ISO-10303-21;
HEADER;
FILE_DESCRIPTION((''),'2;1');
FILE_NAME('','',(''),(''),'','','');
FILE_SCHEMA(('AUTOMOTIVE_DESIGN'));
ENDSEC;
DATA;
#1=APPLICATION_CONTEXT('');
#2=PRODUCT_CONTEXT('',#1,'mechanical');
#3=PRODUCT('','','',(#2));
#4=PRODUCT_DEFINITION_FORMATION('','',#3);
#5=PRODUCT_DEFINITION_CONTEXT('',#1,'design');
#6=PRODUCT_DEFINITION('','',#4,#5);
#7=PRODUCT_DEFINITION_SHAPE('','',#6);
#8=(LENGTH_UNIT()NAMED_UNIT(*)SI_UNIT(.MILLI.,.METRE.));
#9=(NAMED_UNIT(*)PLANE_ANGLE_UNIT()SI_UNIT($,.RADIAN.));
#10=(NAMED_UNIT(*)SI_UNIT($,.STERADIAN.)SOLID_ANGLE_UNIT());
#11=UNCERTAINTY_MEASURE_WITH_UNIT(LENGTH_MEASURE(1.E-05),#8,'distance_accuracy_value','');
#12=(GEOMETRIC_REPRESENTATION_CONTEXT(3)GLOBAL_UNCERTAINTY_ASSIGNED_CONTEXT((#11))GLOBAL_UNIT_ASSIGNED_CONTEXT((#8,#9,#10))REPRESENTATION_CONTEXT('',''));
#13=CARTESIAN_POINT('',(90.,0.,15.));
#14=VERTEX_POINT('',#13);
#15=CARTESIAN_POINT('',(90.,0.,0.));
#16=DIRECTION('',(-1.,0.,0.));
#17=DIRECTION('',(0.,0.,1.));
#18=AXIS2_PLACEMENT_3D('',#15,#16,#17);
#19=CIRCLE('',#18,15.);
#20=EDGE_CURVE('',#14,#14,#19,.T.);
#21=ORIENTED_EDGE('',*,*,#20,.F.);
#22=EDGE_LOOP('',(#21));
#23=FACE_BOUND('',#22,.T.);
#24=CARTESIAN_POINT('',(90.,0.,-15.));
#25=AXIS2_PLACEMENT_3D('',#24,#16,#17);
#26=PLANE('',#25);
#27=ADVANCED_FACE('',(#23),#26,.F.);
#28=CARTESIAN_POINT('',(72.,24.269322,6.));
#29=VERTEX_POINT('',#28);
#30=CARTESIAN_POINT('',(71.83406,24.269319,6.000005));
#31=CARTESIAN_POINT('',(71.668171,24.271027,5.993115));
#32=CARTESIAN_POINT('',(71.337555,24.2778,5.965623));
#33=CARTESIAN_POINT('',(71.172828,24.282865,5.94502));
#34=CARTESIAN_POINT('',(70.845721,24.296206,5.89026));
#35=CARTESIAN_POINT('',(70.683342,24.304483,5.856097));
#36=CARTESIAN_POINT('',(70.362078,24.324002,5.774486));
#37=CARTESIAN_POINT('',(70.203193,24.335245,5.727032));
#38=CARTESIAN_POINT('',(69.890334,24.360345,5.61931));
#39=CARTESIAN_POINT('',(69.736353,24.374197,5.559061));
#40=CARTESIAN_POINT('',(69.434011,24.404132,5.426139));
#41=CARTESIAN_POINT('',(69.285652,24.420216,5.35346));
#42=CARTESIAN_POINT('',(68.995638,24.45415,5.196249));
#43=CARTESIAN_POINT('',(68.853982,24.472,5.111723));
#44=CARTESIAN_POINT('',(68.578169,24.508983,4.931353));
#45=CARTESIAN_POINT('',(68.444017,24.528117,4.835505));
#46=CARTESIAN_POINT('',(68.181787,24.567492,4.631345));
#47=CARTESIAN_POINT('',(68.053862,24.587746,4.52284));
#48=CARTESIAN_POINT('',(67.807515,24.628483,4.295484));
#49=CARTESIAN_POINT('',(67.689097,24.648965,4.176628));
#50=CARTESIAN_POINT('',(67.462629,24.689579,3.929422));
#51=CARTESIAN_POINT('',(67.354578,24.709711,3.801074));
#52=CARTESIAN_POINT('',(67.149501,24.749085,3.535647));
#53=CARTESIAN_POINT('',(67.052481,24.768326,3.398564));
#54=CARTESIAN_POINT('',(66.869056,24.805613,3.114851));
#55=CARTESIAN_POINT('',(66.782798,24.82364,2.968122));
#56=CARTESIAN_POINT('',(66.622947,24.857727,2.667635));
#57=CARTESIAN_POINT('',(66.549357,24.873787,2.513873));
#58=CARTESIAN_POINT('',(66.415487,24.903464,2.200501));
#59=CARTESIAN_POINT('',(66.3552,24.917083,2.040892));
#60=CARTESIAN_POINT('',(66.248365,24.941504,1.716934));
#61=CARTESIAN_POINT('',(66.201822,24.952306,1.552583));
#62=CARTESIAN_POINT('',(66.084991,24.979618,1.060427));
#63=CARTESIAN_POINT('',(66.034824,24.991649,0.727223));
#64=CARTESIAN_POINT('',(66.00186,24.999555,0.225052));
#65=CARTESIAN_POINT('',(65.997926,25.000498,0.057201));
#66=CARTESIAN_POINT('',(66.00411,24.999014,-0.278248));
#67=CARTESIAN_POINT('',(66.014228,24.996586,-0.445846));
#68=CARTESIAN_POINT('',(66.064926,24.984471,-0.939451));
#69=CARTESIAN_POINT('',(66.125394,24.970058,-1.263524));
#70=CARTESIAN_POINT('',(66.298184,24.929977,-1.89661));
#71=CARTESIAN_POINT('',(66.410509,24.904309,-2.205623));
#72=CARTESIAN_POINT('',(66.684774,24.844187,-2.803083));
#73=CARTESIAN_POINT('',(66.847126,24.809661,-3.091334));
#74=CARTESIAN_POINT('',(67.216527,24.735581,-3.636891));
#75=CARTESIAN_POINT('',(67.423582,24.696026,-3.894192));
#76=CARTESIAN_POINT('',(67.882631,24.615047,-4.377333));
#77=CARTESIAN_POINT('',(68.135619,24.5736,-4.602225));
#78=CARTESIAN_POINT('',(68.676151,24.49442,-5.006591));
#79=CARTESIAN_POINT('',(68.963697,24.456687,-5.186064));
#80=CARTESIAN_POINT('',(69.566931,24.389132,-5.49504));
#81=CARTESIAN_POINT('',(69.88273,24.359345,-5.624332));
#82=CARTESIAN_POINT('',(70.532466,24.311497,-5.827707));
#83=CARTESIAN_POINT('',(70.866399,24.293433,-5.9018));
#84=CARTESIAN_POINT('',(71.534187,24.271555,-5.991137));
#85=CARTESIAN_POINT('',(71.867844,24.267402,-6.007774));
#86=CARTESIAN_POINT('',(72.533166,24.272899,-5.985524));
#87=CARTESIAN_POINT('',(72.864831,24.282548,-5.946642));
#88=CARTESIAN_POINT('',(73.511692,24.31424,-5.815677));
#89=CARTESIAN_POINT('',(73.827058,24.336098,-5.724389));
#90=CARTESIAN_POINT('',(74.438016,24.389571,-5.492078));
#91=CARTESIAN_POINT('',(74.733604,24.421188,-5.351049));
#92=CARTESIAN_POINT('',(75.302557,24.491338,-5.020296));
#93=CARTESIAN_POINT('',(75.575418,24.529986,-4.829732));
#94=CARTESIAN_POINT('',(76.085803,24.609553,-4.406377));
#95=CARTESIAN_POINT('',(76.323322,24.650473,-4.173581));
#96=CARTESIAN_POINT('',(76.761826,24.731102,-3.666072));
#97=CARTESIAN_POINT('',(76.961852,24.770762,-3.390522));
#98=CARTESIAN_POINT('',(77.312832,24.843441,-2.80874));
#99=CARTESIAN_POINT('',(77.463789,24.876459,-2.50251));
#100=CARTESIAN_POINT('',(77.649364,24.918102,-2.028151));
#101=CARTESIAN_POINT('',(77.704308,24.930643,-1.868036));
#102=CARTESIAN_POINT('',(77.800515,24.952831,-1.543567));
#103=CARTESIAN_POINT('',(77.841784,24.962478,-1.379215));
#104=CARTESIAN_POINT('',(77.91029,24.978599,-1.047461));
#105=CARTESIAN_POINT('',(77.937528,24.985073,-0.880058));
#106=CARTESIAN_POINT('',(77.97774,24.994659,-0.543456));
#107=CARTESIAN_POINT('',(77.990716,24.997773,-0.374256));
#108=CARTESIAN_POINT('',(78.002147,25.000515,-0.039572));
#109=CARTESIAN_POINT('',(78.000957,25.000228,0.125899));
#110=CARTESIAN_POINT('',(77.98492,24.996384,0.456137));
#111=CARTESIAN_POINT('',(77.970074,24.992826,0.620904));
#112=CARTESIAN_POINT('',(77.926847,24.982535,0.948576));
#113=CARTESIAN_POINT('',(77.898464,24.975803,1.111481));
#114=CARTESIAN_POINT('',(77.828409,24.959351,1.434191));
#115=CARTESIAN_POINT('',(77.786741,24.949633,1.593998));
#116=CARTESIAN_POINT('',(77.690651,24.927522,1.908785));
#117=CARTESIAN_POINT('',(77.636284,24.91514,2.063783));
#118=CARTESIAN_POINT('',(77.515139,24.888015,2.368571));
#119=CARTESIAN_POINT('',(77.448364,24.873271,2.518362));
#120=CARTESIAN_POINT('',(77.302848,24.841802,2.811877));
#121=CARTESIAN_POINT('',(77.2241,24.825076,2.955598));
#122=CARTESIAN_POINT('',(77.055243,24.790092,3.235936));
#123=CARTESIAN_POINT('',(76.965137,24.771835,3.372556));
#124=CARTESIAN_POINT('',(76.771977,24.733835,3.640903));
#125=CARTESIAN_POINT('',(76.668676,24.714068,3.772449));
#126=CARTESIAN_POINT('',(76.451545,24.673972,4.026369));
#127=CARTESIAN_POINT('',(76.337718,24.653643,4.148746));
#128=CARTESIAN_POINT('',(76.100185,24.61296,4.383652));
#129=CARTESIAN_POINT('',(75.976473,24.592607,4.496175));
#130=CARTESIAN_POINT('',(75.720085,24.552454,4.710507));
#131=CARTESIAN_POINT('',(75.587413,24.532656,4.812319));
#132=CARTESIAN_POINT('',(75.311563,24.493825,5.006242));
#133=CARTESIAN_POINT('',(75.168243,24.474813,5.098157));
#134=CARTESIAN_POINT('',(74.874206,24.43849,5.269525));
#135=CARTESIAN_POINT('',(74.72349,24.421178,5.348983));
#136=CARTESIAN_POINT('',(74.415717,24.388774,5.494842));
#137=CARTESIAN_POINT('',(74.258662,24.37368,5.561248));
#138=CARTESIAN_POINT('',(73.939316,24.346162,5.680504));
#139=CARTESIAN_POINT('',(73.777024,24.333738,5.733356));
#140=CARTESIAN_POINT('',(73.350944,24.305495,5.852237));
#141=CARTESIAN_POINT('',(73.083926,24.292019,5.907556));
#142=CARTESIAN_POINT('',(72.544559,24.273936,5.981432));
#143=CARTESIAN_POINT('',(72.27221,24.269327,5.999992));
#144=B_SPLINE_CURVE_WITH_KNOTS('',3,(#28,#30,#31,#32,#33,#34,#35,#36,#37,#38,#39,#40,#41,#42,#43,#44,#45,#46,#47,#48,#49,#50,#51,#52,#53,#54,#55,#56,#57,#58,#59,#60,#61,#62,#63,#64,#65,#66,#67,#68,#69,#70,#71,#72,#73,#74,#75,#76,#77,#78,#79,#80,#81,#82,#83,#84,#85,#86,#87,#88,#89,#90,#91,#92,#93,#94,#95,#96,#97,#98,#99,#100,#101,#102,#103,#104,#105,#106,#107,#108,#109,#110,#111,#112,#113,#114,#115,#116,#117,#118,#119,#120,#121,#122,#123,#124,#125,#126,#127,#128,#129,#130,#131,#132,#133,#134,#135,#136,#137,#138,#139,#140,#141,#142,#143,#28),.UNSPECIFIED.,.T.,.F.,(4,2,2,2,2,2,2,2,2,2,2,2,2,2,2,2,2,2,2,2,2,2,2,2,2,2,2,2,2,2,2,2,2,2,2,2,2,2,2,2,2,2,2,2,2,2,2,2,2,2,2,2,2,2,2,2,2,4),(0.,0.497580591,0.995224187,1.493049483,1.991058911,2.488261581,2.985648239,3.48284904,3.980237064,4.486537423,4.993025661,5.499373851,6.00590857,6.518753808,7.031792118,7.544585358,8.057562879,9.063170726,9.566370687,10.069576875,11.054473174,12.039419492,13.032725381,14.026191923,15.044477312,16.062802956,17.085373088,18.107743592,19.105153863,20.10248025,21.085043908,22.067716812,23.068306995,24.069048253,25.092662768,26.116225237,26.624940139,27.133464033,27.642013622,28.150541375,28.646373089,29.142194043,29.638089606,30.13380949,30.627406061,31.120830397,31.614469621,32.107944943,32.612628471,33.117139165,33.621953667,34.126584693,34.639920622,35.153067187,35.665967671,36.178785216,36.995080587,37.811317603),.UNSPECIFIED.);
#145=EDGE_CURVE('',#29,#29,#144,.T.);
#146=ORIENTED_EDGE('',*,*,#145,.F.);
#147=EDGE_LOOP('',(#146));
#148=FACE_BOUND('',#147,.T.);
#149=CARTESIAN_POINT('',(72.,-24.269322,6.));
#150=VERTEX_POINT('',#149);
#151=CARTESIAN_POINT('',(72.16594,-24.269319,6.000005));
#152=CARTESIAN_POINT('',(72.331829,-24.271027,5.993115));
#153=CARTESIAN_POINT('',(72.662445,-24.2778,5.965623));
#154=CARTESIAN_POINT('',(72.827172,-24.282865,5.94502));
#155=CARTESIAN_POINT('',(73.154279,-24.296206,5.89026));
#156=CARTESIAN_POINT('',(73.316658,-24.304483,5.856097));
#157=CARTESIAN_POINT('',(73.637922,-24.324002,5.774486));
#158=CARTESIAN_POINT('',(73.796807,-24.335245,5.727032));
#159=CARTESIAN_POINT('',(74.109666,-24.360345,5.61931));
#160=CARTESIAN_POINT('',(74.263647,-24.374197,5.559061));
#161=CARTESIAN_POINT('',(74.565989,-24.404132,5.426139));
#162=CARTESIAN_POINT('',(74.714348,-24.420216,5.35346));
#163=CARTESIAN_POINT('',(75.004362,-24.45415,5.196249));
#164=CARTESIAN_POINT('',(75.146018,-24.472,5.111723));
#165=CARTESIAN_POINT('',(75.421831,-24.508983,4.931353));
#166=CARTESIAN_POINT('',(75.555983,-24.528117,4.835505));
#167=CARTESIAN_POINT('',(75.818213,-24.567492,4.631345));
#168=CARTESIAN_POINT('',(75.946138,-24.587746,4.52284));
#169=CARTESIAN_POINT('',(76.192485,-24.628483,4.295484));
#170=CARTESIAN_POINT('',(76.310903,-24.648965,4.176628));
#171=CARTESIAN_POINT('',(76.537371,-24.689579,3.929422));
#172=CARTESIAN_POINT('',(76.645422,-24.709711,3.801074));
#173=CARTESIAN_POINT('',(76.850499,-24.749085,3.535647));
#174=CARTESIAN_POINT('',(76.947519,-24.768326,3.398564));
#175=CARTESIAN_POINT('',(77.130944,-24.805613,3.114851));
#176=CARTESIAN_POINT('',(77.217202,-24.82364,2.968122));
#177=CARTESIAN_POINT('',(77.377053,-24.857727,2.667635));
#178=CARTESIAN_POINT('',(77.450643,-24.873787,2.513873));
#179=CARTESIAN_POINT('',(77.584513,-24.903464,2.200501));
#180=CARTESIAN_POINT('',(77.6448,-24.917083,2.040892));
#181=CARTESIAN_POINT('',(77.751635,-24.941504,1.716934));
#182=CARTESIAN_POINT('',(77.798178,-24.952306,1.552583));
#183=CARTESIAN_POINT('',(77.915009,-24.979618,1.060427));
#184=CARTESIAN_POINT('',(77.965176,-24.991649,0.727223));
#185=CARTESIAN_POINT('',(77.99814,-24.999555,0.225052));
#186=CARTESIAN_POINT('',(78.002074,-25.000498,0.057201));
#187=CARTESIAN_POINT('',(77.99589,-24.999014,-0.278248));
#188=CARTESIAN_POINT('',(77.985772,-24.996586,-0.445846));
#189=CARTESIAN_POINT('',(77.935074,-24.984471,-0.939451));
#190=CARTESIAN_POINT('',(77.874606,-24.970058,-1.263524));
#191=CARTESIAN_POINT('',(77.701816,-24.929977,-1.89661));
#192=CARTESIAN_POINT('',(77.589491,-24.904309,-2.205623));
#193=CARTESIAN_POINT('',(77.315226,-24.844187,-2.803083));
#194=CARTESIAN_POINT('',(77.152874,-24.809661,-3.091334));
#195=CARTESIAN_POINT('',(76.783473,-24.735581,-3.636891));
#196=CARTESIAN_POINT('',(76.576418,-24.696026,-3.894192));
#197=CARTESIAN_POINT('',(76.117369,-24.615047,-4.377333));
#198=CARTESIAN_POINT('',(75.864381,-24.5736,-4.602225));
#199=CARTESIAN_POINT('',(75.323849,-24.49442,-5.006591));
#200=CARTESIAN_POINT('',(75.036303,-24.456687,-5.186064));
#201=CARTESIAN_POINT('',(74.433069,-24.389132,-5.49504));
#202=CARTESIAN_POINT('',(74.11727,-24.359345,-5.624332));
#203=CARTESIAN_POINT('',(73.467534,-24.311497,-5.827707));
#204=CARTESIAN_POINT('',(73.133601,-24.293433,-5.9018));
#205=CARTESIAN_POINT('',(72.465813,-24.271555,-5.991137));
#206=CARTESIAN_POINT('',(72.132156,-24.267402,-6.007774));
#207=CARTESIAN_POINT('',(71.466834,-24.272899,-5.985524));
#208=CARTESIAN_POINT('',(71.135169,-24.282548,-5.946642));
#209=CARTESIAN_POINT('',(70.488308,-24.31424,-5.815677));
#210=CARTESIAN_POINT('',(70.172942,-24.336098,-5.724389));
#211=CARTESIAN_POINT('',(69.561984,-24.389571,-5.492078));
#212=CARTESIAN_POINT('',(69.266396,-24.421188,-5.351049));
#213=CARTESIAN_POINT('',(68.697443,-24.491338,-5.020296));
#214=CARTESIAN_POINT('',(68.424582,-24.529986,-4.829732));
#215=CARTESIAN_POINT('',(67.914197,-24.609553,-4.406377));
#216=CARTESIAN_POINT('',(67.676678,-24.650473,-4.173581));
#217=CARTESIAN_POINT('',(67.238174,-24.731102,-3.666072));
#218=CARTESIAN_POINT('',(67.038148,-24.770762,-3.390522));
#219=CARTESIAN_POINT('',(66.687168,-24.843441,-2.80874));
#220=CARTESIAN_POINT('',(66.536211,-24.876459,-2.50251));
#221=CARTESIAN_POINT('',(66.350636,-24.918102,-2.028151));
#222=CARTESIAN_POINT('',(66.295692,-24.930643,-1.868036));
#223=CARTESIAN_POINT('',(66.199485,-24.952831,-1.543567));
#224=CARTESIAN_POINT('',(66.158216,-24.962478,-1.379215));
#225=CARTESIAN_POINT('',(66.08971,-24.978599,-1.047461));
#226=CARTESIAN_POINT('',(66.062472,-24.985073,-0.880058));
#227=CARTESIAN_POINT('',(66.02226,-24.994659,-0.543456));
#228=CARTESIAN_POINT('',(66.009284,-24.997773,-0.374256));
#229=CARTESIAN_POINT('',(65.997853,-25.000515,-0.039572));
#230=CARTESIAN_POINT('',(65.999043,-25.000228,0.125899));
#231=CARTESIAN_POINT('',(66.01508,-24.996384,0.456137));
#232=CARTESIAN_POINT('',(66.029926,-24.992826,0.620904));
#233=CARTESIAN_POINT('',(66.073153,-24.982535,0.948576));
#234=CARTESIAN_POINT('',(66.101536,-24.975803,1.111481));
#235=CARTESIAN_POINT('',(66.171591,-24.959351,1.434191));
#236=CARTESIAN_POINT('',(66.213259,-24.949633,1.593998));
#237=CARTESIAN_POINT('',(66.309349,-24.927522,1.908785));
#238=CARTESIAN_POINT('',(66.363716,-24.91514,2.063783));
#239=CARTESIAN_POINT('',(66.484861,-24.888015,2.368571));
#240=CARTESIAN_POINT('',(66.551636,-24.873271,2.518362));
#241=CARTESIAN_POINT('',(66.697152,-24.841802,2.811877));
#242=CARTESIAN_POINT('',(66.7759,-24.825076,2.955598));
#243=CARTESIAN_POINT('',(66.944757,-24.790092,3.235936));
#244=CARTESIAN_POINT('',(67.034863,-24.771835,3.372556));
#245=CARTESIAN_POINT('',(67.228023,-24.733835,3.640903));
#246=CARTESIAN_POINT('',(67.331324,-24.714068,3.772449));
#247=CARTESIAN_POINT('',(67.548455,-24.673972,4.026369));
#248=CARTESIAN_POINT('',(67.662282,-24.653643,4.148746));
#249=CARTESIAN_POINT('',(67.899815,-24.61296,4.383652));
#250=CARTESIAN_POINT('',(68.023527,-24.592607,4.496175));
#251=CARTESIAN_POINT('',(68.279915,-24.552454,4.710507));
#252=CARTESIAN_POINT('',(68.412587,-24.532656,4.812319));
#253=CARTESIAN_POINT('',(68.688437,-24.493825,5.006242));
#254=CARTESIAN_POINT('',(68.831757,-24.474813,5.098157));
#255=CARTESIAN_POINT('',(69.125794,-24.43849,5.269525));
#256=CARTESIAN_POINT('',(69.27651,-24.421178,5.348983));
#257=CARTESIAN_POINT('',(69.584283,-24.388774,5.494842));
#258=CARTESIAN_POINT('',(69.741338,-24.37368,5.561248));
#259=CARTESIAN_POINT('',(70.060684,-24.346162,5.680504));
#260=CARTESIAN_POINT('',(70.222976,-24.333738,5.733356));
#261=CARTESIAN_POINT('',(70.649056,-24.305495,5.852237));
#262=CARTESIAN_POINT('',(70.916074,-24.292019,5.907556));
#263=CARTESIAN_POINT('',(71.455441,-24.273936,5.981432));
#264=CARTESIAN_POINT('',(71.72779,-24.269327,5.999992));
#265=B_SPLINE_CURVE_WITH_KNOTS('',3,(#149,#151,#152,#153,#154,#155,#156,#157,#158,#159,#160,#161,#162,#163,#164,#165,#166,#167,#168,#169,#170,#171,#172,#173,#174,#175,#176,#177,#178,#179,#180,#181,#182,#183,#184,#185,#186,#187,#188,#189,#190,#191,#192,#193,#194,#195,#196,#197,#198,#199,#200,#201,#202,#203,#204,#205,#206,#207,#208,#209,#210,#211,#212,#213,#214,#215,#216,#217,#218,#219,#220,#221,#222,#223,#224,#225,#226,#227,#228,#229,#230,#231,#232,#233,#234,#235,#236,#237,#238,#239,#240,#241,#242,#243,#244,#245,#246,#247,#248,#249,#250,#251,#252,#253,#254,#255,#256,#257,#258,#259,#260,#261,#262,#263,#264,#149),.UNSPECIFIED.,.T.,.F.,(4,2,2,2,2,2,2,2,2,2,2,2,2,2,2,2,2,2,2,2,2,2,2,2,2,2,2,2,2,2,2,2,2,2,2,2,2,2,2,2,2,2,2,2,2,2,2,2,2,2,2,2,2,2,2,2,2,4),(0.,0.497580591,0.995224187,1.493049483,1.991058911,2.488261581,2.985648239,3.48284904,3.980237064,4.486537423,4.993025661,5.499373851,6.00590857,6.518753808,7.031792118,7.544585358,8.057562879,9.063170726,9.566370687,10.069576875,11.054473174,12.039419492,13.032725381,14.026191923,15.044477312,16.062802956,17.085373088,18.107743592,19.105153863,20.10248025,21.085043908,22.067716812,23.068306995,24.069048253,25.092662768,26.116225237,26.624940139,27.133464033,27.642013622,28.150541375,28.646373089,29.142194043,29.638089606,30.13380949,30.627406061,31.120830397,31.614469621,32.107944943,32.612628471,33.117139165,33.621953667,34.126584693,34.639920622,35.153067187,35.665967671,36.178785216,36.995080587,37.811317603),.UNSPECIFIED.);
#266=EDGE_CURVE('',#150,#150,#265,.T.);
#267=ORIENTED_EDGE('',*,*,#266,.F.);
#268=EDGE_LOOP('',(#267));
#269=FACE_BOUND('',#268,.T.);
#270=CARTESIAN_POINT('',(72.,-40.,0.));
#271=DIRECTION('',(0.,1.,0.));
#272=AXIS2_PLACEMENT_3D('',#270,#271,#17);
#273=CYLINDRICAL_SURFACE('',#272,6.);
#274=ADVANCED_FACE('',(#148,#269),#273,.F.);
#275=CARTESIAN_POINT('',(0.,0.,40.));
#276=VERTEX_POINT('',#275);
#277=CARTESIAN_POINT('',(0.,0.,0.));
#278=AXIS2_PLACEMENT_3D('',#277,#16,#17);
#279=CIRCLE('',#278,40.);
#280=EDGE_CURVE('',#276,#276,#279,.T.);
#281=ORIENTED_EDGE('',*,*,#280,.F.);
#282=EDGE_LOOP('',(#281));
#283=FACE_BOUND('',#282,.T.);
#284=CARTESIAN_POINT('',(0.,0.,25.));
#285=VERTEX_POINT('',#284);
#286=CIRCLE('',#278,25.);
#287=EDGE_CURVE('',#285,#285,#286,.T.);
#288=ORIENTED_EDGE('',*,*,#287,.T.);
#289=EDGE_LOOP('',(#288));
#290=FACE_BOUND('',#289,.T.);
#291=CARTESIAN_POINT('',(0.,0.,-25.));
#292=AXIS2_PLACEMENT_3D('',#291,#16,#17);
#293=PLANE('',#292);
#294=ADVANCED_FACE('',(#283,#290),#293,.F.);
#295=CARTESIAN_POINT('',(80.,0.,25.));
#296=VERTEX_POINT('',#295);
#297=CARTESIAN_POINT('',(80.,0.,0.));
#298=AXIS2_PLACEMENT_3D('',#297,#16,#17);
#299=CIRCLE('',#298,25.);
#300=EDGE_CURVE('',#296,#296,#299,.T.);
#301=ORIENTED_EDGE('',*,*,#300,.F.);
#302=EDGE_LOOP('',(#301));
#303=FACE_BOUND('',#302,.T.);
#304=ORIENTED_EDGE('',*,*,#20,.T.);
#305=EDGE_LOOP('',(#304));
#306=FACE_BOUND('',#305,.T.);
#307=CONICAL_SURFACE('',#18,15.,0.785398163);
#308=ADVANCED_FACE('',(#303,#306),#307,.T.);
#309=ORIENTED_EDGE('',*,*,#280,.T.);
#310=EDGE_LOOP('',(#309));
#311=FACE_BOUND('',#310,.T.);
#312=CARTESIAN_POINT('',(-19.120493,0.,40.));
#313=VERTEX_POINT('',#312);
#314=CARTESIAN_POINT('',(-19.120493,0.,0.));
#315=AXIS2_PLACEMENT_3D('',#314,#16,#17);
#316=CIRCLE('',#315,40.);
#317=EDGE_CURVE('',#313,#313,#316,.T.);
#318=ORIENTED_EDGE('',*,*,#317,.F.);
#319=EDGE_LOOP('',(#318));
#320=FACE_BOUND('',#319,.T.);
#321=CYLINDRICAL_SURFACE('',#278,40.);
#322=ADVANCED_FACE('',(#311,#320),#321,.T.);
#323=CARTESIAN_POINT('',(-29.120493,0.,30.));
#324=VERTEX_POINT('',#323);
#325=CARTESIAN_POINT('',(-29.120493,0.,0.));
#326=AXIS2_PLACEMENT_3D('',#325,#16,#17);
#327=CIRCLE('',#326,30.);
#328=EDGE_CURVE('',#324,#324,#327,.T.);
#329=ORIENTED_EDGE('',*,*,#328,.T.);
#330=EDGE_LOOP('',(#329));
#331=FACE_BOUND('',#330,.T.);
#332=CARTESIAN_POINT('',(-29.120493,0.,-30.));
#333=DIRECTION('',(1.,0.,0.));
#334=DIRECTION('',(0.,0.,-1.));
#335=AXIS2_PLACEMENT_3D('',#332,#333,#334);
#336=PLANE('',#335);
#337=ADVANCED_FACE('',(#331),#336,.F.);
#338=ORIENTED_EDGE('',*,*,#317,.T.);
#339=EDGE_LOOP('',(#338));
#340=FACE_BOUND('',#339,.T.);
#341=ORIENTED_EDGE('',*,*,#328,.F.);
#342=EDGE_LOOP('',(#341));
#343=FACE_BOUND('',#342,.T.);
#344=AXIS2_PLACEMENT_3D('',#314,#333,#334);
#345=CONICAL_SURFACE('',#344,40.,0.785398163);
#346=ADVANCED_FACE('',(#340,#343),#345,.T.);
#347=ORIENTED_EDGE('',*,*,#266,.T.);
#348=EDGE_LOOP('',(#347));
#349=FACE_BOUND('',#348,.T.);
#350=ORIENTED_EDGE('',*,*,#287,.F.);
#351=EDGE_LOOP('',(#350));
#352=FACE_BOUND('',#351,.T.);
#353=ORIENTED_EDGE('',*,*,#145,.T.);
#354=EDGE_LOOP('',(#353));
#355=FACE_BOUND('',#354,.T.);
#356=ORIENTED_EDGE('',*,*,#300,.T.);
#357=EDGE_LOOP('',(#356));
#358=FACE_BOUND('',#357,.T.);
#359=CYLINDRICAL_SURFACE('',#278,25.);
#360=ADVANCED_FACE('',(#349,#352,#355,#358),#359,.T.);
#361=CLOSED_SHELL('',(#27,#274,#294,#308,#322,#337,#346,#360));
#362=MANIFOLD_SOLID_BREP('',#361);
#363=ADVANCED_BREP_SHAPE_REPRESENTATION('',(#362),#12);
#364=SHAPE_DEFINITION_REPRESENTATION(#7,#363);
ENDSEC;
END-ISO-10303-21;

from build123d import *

# Parameters (mm, degrees)
CUT_EXTRUDE3_DEPTH      = 107.301458127
CUT_EXTRUDE3_DEPTH_BACK = 107.301458127
SKETCH4_R               = 6


with BuildPart() as part:
    # Sketch1 → Revolve2 (revolve)
    with BuildSketch(Plane(origin=(0, 0, 0), x_dir=(1, 0, 0), z_dir=(0, 1, 0)), mode=Mode.PRIVATE) as revolve2_sk:
        Polygon((0, 25), (0, 40), (-19.12049302, 40), (-29.12049302, 30), (-29.12049302, 0), (0, 0), (90, 0), (90, 15), (80, 25), align=None)
    revolve(revolve2_sk.sketch.rotate(Axis((0, 0, 0), (1, 0, 0)), 180), axis=Axis((0, 0, 0), (1, 0, 0)))

    # Sketch4 → Cut-Extrude3 (cut, two sides: drawn at the far end of the back side and taken through both)
    with BuildSketch(Plane(origin=(0, 0, 0), x_dir=(1, 0, 0), z_dir=(0, 1, 0)).offset(-CUT_EXTRUDE3_DEPTH_BACK)):
        with Locations(Location((72, 0, 0), (0, 0, 270))):
            Circle(SKETCH4_R)
    extrude(amount=CUT_EXTRUDE3_DEPTH + CUT_EXTRUDE3_DEPTH_BACK, mode=Mode.SUBTRACT)


solid = part.part
